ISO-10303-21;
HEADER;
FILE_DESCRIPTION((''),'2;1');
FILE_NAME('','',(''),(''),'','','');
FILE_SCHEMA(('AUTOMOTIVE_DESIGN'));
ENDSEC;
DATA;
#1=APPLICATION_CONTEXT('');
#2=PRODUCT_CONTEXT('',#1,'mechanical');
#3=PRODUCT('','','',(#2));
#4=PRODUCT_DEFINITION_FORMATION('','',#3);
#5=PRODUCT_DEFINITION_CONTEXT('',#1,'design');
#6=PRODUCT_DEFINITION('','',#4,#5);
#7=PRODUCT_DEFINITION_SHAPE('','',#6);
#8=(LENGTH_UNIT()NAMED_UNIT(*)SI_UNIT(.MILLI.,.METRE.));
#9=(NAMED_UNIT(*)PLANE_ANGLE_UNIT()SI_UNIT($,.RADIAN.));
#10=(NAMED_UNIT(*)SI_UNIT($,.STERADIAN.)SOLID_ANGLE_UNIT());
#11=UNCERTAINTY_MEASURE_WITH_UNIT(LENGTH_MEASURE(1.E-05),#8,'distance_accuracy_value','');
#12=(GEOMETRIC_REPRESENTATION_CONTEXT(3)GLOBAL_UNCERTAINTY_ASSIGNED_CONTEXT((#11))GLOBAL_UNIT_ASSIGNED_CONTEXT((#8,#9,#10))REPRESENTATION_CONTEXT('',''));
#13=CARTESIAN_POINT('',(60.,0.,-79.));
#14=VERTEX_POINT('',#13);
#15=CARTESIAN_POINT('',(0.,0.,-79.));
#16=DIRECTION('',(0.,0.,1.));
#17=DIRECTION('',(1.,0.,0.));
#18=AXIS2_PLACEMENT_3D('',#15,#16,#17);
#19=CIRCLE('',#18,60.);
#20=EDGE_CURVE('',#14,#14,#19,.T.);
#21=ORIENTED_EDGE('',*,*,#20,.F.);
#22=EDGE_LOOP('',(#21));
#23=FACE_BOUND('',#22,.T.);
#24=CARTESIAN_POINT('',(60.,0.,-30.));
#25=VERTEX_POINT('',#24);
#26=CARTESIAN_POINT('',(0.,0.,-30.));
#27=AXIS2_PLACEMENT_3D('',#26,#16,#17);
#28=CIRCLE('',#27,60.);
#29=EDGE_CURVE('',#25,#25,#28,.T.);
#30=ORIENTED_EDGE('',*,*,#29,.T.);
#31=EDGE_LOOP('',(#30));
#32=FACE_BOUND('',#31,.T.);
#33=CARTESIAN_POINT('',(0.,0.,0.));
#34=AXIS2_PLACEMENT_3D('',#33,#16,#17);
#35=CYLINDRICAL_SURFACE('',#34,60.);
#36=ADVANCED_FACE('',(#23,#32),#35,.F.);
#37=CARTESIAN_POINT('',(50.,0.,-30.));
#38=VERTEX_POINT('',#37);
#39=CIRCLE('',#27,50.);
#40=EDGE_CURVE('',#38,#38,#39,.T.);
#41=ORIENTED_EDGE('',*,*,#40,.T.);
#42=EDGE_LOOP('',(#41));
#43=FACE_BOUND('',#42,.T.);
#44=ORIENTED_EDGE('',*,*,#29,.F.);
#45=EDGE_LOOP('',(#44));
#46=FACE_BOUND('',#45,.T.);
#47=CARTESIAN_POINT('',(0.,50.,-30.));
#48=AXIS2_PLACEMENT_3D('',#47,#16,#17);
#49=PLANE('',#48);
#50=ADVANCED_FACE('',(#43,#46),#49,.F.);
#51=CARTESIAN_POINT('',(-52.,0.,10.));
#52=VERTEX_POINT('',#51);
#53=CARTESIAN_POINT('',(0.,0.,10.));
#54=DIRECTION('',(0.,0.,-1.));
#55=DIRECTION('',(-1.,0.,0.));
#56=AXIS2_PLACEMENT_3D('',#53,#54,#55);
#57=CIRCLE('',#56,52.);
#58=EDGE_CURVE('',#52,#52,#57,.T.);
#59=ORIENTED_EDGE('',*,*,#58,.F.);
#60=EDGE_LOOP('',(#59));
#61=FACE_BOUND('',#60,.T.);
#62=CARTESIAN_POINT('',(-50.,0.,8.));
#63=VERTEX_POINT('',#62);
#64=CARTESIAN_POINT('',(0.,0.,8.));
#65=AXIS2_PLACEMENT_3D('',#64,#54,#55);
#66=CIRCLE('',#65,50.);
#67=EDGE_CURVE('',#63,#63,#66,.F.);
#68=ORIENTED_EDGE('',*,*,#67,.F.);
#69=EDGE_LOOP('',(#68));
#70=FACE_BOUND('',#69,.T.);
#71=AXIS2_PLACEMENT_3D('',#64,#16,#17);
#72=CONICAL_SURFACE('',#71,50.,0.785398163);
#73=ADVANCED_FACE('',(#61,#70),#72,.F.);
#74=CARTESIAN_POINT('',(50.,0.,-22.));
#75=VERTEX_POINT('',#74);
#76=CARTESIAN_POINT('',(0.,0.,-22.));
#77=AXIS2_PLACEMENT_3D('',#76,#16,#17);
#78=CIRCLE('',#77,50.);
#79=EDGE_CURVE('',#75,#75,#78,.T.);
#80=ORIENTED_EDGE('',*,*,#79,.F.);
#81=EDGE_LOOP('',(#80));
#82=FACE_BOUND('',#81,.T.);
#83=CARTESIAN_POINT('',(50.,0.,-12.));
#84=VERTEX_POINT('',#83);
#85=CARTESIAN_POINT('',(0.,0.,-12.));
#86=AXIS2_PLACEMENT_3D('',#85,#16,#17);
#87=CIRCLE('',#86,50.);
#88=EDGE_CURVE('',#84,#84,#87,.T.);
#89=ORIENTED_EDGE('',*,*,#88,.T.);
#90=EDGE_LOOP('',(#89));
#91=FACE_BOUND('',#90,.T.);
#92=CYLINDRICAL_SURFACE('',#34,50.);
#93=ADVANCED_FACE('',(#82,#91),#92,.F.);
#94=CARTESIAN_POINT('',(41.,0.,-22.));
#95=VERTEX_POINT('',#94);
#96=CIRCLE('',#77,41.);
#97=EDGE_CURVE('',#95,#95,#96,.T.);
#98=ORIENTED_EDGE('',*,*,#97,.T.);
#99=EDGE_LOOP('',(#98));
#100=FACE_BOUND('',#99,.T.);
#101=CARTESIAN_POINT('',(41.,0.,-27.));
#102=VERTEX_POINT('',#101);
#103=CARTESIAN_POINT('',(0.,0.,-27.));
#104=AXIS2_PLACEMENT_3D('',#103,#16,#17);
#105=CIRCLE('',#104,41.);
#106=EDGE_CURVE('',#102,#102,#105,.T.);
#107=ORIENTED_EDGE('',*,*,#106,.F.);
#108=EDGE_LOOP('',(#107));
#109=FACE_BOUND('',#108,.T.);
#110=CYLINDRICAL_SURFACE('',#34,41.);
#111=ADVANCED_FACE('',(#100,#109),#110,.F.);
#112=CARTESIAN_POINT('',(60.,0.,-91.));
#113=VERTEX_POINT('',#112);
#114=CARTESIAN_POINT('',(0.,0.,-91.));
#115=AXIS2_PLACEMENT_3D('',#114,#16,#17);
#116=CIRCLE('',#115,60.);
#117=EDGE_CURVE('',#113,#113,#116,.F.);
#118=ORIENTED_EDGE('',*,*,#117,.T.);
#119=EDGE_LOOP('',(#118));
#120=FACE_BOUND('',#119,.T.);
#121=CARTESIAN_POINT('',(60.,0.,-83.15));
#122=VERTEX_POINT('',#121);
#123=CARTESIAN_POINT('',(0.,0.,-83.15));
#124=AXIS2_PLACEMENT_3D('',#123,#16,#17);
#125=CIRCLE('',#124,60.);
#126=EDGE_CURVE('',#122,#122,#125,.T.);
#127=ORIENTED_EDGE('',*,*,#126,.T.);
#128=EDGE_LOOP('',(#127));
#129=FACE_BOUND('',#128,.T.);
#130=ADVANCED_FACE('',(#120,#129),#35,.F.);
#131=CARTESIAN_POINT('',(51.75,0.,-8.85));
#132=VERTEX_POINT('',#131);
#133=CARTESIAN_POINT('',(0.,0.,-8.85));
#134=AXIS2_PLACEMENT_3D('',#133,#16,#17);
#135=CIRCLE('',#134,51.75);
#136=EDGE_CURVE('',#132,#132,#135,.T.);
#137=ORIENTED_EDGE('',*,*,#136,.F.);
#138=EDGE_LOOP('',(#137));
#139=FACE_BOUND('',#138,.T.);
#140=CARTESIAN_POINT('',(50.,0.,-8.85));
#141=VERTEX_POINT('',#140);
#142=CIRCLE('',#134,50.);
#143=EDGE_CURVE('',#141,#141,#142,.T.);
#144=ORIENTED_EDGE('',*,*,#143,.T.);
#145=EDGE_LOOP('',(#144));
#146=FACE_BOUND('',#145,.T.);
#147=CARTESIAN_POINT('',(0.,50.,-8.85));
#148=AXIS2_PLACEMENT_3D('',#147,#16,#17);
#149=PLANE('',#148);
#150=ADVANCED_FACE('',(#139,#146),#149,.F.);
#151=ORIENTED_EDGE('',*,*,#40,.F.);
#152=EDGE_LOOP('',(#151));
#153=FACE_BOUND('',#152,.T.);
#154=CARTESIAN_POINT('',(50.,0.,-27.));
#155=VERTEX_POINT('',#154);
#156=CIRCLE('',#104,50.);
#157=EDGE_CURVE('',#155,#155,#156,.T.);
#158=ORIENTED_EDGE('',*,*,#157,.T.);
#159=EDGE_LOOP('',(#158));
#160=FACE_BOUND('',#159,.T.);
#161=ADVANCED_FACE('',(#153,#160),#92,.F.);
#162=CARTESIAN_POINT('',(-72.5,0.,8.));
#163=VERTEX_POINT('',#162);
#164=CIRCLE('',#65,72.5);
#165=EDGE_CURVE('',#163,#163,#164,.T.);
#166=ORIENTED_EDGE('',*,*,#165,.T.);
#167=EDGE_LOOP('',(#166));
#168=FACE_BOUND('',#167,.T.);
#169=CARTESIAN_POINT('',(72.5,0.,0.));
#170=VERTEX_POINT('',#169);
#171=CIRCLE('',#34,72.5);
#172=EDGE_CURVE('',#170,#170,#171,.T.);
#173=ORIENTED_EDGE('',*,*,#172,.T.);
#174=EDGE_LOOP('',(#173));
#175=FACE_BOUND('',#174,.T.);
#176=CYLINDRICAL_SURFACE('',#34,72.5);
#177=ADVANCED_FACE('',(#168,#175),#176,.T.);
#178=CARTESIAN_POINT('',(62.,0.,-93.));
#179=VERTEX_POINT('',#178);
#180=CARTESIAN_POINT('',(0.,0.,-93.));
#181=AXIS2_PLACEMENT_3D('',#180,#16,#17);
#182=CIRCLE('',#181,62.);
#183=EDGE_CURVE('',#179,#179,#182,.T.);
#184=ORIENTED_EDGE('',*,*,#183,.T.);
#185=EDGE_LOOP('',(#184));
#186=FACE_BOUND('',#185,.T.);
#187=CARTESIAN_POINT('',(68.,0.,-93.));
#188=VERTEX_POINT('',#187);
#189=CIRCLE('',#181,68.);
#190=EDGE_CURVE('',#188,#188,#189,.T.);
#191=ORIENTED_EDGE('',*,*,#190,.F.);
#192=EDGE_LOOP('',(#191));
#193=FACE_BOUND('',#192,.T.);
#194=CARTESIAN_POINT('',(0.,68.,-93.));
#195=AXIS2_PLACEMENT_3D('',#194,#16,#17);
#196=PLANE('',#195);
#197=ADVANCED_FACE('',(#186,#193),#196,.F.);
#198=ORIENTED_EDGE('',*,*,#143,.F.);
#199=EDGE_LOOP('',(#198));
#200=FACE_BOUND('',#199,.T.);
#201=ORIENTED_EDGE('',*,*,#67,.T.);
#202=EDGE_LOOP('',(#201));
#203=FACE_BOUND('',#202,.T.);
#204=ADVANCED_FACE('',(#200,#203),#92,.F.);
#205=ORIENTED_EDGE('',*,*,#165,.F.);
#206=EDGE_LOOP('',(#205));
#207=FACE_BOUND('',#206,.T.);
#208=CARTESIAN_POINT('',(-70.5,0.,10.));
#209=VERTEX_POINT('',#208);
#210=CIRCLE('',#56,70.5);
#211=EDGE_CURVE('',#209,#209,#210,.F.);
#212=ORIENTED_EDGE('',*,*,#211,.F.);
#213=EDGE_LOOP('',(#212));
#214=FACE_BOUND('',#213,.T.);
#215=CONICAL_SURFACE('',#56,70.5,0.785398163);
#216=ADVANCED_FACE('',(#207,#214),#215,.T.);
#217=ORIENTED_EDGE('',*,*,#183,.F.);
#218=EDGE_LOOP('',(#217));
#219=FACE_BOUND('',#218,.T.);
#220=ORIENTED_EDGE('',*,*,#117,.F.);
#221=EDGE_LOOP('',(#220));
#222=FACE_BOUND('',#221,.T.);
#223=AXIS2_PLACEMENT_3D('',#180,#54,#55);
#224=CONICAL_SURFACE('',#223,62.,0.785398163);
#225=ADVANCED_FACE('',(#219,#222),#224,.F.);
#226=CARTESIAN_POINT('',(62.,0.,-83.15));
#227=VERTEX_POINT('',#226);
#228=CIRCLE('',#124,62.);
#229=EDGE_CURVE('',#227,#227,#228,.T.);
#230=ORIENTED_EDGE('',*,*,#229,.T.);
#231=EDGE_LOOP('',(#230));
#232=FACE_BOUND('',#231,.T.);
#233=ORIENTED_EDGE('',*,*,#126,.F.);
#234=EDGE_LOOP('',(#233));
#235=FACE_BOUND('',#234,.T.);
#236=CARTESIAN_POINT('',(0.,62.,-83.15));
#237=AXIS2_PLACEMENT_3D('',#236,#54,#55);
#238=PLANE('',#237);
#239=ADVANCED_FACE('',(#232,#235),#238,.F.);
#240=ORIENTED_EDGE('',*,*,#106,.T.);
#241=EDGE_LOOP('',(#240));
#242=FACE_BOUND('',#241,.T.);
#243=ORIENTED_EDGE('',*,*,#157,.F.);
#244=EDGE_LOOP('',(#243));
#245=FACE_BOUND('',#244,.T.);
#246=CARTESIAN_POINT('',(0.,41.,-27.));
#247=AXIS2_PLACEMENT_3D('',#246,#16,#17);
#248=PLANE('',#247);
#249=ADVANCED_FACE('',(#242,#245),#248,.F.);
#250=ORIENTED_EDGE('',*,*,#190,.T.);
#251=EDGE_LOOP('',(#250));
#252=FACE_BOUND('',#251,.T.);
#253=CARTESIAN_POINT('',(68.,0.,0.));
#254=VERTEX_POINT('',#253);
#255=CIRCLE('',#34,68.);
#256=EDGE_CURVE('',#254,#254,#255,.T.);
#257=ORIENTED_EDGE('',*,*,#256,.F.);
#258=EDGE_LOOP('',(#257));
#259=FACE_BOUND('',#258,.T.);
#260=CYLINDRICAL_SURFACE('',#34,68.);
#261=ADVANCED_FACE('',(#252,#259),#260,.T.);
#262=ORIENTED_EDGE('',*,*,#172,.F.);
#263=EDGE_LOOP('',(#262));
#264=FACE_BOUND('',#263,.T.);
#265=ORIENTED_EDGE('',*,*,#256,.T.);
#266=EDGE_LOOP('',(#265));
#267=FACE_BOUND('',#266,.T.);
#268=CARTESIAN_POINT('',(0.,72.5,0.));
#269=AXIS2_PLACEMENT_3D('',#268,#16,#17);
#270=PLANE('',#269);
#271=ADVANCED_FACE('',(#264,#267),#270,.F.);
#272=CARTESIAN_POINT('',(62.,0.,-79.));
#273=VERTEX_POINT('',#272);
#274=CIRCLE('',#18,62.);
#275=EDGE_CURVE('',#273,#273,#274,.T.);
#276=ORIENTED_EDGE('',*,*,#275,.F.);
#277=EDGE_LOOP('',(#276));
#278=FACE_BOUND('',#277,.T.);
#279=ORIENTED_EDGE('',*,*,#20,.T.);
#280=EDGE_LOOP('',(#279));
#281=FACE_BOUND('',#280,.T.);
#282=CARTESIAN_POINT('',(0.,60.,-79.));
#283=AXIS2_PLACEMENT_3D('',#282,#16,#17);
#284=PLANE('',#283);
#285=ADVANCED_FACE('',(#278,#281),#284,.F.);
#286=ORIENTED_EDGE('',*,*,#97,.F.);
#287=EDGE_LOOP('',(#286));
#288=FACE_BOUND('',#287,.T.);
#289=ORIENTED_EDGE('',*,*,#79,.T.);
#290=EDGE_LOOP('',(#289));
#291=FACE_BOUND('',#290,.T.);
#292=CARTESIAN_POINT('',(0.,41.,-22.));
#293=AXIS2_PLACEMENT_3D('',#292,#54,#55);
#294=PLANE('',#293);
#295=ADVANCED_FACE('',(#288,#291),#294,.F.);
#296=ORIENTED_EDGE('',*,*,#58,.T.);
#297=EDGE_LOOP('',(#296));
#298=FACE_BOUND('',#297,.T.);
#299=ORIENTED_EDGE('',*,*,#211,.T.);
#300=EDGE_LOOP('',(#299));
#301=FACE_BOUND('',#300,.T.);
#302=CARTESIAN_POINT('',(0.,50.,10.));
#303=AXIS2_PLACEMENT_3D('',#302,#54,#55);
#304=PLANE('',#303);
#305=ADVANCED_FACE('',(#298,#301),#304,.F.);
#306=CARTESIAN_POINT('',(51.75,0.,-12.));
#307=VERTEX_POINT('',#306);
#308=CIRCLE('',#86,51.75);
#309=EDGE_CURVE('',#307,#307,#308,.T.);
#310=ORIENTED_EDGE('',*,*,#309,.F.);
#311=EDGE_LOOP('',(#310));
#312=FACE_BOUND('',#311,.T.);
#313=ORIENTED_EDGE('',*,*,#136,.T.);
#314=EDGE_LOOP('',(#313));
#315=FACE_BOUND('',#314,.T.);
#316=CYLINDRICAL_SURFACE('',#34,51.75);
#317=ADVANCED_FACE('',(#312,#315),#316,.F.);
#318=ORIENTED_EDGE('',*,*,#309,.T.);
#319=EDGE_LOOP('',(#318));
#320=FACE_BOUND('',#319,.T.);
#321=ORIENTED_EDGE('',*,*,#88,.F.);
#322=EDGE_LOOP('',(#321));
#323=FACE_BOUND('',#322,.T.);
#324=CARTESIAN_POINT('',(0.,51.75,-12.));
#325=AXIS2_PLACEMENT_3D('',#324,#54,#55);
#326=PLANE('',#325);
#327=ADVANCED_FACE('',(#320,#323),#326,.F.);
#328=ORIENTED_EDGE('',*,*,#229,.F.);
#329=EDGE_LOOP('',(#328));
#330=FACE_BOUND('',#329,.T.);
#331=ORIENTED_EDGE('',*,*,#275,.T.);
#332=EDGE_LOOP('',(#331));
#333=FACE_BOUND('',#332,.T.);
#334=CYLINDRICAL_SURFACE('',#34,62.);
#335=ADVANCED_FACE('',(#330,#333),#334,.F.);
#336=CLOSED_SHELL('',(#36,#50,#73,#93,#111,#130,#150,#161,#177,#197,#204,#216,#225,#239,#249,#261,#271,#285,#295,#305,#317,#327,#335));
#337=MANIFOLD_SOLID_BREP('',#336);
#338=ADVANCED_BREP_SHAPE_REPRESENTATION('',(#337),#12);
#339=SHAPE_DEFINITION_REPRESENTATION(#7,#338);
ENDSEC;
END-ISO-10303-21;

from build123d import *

# Parameters (mm, degrees)
CHAMFER_2_SIZE = 2


with BuildPart() as part:
    # Эскиз1 → Повернуть1 (revolve)
    with BuildSketch(Plane(origin=(0, 0, 0), x_dir=(0, 0, -1), z_dir=(1, 0, 0)), mode=Mode.PRIVATE) as revolve_1_sk:
        Polygon((8.85, 50), (-10, 50), (-10, 72.5), (0, 72.5), (0, 68), (93, 68), (93, 60), (83.15, 60), (83.15, 62), (79, 62), (79, 60), (30, 60), (30, 50), (27, 50), (27, 41), (22, 41), (22, 50), (12, 50), (12, 51.75), (8.85, 51.75), align=None)
    revolve(revolve_1_sk.sketch.rotate(Axis((0, 0, 0), (0, 0, -1)), 90), axis=Axis((0, 0, 0), (0, 0, -1)))

    # Фаска2
    chamfer_2_edges = [part.edges().sort_by_distance(p)[0] for p in [
        (-60, 0, -93),
        (-50, 0, 10),
        (-72.5, 0, 10),
    ]]
    chamfer(chamfer_2_edges, length=CHAMFER_2_SIZE)


solid = part.part
